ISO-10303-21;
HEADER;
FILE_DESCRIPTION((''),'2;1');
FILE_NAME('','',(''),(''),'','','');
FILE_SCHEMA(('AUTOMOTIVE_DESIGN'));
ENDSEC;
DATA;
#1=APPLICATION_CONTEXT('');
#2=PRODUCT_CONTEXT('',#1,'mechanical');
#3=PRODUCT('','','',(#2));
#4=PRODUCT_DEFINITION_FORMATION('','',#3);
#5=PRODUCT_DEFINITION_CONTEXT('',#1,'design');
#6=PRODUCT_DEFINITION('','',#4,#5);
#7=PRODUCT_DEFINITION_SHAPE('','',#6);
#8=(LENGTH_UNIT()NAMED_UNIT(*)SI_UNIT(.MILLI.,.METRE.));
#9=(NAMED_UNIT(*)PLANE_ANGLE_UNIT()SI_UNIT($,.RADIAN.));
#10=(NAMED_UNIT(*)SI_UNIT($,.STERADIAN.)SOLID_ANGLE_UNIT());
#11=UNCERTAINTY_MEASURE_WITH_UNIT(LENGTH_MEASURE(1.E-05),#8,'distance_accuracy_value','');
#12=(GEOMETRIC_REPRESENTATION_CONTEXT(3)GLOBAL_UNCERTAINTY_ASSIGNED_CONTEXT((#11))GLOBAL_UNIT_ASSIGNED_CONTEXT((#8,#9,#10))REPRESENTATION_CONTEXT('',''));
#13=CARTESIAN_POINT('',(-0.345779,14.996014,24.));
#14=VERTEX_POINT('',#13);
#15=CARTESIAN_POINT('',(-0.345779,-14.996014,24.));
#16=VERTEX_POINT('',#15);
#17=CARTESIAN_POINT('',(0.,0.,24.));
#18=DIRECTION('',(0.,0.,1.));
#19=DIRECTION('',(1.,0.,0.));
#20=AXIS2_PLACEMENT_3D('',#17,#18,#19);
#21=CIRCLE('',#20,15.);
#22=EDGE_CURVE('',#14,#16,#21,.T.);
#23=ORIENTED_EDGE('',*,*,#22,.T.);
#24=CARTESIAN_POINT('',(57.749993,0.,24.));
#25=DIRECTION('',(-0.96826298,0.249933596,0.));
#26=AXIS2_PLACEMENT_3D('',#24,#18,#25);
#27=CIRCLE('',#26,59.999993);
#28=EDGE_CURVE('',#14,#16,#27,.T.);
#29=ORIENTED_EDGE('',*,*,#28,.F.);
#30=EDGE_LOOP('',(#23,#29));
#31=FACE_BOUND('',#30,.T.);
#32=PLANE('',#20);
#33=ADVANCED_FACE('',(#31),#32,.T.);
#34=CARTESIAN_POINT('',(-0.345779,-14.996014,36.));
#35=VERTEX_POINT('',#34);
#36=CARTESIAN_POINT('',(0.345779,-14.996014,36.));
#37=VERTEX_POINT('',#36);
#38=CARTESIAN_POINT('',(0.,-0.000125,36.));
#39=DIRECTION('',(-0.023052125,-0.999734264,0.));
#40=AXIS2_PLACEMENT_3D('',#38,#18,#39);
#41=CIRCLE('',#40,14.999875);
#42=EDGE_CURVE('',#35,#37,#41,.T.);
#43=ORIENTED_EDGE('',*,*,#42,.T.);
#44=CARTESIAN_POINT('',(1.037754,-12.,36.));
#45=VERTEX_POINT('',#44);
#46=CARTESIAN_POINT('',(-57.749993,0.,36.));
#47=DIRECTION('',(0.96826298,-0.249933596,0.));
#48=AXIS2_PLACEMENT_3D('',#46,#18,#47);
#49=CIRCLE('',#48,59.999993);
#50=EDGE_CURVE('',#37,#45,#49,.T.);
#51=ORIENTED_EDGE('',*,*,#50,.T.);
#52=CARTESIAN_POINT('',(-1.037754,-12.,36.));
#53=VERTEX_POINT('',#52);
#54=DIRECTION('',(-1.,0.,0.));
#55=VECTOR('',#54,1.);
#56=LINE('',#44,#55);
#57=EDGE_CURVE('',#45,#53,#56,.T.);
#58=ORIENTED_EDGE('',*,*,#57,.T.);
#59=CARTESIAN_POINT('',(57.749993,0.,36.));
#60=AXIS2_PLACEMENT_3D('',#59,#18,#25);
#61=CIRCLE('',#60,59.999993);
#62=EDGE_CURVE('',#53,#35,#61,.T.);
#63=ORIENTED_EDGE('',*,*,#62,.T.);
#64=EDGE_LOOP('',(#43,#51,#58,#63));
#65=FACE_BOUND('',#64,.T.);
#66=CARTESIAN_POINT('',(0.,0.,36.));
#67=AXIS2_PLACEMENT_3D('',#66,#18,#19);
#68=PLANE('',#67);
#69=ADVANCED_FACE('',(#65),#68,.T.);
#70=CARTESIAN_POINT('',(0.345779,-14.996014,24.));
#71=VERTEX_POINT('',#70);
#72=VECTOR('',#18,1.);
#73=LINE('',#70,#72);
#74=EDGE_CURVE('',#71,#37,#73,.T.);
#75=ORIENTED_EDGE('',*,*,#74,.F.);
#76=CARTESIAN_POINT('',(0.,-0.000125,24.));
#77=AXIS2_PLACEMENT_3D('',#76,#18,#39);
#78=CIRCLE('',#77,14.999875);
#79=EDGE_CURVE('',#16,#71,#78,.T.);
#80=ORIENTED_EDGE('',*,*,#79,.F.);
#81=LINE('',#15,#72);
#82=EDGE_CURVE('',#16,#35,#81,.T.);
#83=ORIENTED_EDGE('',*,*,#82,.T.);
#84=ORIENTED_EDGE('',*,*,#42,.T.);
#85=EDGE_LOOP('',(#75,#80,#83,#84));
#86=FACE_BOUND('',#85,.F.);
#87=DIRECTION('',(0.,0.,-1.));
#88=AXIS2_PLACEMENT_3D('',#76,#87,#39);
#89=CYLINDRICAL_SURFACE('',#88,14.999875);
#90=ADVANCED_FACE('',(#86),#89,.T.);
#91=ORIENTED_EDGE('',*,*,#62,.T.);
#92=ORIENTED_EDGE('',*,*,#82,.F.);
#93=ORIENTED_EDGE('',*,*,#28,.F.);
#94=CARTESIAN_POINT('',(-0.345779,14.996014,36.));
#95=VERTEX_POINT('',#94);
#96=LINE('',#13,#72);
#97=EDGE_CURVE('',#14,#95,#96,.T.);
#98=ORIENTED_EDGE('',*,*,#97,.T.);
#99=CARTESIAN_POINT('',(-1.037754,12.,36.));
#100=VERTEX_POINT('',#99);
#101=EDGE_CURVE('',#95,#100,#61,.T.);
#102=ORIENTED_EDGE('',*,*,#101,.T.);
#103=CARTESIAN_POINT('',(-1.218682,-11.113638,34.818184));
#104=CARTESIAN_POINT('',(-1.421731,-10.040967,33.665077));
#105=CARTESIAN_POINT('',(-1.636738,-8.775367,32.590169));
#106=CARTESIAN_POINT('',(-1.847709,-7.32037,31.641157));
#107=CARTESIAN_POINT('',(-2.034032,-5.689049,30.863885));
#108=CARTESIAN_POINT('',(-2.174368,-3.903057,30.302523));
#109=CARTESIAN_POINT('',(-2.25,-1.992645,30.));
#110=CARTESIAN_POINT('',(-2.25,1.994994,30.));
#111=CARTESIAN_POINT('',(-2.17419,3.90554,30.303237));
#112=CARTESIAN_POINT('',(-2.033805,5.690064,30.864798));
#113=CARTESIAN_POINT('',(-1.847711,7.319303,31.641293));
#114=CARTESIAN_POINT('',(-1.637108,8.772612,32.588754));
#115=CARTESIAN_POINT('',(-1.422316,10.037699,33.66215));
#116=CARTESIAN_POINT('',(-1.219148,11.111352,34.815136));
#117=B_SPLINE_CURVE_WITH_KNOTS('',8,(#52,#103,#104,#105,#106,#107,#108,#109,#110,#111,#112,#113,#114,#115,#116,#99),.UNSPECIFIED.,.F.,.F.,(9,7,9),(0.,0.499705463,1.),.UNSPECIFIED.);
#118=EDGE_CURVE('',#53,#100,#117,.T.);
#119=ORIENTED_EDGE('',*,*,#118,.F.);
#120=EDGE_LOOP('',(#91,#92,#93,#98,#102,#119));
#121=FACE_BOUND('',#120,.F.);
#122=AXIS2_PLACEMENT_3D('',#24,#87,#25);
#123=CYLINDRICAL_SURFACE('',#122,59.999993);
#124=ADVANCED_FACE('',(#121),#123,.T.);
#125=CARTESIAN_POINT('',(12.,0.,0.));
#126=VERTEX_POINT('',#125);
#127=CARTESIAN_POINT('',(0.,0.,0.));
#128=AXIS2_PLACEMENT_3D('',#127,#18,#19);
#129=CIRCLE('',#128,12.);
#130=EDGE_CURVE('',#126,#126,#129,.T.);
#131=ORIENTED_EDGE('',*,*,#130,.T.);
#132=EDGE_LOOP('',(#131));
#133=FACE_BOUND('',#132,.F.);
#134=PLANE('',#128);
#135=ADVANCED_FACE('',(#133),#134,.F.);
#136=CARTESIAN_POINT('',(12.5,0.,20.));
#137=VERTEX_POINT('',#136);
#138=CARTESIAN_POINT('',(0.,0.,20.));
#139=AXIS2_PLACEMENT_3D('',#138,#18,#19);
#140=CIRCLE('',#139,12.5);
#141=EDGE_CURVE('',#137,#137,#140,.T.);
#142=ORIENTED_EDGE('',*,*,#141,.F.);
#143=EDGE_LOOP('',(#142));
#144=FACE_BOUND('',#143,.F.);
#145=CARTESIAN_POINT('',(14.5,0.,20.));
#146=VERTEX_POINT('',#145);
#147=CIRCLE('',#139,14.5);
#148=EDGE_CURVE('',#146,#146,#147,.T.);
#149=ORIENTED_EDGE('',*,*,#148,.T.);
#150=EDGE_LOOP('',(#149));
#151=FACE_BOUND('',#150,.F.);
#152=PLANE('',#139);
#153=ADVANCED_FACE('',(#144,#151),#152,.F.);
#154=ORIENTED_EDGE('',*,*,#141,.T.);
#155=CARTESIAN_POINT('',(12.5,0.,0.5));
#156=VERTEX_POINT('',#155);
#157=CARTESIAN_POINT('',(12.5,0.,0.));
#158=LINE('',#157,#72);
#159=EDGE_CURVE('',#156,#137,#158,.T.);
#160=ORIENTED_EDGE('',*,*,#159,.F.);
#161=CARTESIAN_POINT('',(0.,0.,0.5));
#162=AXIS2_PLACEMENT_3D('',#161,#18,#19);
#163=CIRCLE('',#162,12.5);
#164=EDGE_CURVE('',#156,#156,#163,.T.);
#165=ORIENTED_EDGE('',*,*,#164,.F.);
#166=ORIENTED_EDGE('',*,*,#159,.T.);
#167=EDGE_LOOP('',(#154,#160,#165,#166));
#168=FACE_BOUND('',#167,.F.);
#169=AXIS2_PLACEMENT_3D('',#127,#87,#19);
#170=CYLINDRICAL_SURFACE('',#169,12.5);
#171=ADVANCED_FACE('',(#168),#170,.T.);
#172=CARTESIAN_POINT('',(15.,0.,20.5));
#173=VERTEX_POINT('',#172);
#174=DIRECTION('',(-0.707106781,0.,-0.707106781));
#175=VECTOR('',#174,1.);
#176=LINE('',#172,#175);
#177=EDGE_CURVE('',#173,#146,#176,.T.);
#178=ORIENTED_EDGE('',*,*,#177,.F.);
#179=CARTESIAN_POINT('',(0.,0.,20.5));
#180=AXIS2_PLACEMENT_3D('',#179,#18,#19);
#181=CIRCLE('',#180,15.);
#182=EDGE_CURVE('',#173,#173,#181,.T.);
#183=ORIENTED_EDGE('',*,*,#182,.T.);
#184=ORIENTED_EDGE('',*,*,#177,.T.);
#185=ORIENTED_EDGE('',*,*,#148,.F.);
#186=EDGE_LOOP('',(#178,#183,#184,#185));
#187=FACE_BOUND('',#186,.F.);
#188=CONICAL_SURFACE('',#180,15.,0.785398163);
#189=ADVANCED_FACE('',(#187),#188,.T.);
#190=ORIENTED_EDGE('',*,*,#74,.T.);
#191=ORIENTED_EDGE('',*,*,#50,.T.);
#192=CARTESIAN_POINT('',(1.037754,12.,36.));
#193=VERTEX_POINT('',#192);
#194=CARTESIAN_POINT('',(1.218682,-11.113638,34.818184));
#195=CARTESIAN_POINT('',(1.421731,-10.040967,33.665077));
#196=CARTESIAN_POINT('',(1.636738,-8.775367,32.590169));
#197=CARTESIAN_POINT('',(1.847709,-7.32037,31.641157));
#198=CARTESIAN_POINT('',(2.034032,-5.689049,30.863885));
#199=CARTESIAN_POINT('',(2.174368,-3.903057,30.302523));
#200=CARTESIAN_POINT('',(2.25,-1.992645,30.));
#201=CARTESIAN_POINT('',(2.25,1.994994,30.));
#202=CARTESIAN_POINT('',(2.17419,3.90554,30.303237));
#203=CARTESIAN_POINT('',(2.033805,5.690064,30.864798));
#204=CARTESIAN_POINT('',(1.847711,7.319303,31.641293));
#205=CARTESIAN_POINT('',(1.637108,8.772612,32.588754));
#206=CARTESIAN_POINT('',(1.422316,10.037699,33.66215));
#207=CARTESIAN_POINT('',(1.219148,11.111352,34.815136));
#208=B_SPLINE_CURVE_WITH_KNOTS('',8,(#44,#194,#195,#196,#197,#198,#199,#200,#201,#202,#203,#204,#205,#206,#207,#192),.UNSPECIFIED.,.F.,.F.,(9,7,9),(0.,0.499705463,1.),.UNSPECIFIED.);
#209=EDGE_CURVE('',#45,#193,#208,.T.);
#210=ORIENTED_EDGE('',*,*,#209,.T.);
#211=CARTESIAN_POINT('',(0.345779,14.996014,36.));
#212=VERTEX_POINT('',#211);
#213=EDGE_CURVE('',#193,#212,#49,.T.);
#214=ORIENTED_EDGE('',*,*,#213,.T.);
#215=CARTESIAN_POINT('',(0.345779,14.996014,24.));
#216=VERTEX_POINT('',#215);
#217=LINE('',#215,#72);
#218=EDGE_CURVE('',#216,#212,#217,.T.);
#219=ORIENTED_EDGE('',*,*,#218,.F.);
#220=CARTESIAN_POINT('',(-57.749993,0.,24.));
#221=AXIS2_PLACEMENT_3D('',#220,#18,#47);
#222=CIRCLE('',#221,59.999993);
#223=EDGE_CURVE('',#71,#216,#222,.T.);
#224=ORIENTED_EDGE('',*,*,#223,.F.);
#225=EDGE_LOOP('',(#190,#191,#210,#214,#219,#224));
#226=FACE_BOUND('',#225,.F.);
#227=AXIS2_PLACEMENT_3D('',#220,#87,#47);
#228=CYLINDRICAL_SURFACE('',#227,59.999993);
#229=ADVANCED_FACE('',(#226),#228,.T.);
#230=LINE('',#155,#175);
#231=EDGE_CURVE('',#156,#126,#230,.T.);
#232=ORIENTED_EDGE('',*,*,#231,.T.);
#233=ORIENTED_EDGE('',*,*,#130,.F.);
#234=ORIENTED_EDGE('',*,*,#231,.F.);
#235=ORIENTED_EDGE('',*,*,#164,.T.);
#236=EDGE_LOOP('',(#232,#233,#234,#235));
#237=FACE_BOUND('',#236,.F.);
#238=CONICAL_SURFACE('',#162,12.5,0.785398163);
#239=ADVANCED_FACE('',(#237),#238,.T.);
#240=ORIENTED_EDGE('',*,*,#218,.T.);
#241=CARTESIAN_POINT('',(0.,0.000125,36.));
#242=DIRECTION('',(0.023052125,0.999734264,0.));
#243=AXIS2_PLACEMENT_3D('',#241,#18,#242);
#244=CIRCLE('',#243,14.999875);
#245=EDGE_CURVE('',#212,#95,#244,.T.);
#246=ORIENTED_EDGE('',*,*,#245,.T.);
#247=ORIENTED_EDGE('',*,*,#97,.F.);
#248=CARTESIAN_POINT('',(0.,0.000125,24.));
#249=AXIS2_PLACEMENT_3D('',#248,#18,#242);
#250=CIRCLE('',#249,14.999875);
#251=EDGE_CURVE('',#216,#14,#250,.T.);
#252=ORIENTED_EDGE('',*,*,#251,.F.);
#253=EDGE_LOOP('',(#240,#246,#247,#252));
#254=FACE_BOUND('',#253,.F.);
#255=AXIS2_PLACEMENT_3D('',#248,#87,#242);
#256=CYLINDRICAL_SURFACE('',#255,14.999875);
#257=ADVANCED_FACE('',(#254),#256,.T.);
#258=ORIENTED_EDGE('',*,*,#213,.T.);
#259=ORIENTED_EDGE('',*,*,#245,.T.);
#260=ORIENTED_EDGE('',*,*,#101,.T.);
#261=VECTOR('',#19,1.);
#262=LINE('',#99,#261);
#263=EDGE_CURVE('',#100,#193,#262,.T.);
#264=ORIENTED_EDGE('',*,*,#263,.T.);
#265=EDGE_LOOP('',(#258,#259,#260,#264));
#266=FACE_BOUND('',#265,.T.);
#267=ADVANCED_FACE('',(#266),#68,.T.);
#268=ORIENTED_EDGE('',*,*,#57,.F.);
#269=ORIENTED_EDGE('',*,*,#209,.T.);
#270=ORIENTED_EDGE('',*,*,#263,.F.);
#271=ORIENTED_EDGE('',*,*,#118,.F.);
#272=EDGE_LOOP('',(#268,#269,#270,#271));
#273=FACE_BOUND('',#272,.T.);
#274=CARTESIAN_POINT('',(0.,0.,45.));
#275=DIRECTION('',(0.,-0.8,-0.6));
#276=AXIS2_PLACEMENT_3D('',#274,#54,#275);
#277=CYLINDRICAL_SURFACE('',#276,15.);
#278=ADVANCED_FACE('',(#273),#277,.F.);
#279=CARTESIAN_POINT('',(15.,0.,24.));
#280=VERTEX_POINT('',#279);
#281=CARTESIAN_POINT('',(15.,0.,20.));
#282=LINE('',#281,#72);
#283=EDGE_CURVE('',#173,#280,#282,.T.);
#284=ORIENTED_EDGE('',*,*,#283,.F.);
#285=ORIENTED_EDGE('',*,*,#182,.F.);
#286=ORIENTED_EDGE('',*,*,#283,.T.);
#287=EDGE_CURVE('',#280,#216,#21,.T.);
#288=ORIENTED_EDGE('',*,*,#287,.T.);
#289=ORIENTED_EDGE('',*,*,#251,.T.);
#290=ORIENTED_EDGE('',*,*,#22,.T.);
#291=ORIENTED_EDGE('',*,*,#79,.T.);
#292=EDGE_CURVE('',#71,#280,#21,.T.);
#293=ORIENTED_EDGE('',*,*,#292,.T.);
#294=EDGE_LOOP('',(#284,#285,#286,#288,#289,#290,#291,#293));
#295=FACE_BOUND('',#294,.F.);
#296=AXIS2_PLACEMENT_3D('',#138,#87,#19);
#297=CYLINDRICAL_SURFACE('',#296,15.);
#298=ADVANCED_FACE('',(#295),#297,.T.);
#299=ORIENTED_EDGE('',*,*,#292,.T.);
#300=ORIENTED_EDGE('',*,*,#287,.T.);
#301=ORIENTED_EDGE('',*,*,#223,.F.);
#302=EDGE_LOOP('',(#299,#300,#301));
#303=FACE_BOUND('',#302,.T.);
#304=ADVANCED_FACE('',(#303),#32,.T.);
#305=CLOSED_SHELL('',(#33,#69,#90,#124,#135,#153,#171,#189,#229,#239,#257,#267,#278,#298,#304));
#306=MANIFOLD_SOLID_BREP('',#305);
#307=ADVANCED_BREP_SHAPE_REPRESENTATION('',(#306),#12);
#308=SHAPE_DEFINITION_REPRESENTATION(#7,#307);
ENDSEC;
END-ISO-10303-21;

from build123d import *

# Parameters (mm, degrees)
F0_R          = 12.5
F1_DEPTH      = 20
F2_R          = 15
F3_DEPTH      = 4
F5_DEPTH      = 12
F7_DEPTH      = 7.4
F7_DEPTH_BACK = 5.4
F8_SIZE       = 0.5


with BuildPart() as f1:
    # F0 (on Top) → F1 (new body)
    with BuildSketch(Plane.XY):
        Circle(F0_R)
    extrude(amount=F1_DEPTH)

    # F2 (on face) → F3 (join)
    with BuildSketch(Plane.XY.offset(20)):
        Circle(F2_R)
    extrude(amount=F3_DEPTH)

    # F4 (on face) → F5 (join)
    with BuildSketch(Plane.XY.offset(24)):
        with BuildLine():
            ThreePointArc((-0.345779, 14.996014), (-2.25, 0), (-0.345779, -14.996014))
            ThreePointArc((-0.345779, -14.996014), (0, -15), (0.345779, -14.996014))
            ThreePointArc((0.345779, -14.996014), (2.25, 0), (0.345779, 14.996014))
            ThreePointArc((0.345779, 14.996014), (0, 15), (-0.345779, 14.996014))
        make_face()
    extrude(amount=F5_DEPTH)

    # F6 (on Right) → F7 (cut, two sides)
    with BuildSketch(Plane.YZ) as f7_sk:
        with BuildLine():
            Line((-12, 37), (-12, 36))
            ThreePointArc((-12, 36), (0, 30), (12, 36))
            Line((12, 36), (12, 37))
            Line((12, 37), (-12, 37))
        make_face()
    extrude(amount=F7_DEPTH, mode=Mode.SUBTRACT)
    extrude(f7_sk.sketch, amount=-F7_DEPTH_BACK, mode=Mode.SUBTRACT)

    # F8
    f8_edges = [f1.edges().sort_by_distance(p)[0] for p in [
        (-12.5, 0, 0),
        (-15, 0, 20),
    ]]
    chamfer(f8_edges, length=F8_SIZE)


solid = f1.part
